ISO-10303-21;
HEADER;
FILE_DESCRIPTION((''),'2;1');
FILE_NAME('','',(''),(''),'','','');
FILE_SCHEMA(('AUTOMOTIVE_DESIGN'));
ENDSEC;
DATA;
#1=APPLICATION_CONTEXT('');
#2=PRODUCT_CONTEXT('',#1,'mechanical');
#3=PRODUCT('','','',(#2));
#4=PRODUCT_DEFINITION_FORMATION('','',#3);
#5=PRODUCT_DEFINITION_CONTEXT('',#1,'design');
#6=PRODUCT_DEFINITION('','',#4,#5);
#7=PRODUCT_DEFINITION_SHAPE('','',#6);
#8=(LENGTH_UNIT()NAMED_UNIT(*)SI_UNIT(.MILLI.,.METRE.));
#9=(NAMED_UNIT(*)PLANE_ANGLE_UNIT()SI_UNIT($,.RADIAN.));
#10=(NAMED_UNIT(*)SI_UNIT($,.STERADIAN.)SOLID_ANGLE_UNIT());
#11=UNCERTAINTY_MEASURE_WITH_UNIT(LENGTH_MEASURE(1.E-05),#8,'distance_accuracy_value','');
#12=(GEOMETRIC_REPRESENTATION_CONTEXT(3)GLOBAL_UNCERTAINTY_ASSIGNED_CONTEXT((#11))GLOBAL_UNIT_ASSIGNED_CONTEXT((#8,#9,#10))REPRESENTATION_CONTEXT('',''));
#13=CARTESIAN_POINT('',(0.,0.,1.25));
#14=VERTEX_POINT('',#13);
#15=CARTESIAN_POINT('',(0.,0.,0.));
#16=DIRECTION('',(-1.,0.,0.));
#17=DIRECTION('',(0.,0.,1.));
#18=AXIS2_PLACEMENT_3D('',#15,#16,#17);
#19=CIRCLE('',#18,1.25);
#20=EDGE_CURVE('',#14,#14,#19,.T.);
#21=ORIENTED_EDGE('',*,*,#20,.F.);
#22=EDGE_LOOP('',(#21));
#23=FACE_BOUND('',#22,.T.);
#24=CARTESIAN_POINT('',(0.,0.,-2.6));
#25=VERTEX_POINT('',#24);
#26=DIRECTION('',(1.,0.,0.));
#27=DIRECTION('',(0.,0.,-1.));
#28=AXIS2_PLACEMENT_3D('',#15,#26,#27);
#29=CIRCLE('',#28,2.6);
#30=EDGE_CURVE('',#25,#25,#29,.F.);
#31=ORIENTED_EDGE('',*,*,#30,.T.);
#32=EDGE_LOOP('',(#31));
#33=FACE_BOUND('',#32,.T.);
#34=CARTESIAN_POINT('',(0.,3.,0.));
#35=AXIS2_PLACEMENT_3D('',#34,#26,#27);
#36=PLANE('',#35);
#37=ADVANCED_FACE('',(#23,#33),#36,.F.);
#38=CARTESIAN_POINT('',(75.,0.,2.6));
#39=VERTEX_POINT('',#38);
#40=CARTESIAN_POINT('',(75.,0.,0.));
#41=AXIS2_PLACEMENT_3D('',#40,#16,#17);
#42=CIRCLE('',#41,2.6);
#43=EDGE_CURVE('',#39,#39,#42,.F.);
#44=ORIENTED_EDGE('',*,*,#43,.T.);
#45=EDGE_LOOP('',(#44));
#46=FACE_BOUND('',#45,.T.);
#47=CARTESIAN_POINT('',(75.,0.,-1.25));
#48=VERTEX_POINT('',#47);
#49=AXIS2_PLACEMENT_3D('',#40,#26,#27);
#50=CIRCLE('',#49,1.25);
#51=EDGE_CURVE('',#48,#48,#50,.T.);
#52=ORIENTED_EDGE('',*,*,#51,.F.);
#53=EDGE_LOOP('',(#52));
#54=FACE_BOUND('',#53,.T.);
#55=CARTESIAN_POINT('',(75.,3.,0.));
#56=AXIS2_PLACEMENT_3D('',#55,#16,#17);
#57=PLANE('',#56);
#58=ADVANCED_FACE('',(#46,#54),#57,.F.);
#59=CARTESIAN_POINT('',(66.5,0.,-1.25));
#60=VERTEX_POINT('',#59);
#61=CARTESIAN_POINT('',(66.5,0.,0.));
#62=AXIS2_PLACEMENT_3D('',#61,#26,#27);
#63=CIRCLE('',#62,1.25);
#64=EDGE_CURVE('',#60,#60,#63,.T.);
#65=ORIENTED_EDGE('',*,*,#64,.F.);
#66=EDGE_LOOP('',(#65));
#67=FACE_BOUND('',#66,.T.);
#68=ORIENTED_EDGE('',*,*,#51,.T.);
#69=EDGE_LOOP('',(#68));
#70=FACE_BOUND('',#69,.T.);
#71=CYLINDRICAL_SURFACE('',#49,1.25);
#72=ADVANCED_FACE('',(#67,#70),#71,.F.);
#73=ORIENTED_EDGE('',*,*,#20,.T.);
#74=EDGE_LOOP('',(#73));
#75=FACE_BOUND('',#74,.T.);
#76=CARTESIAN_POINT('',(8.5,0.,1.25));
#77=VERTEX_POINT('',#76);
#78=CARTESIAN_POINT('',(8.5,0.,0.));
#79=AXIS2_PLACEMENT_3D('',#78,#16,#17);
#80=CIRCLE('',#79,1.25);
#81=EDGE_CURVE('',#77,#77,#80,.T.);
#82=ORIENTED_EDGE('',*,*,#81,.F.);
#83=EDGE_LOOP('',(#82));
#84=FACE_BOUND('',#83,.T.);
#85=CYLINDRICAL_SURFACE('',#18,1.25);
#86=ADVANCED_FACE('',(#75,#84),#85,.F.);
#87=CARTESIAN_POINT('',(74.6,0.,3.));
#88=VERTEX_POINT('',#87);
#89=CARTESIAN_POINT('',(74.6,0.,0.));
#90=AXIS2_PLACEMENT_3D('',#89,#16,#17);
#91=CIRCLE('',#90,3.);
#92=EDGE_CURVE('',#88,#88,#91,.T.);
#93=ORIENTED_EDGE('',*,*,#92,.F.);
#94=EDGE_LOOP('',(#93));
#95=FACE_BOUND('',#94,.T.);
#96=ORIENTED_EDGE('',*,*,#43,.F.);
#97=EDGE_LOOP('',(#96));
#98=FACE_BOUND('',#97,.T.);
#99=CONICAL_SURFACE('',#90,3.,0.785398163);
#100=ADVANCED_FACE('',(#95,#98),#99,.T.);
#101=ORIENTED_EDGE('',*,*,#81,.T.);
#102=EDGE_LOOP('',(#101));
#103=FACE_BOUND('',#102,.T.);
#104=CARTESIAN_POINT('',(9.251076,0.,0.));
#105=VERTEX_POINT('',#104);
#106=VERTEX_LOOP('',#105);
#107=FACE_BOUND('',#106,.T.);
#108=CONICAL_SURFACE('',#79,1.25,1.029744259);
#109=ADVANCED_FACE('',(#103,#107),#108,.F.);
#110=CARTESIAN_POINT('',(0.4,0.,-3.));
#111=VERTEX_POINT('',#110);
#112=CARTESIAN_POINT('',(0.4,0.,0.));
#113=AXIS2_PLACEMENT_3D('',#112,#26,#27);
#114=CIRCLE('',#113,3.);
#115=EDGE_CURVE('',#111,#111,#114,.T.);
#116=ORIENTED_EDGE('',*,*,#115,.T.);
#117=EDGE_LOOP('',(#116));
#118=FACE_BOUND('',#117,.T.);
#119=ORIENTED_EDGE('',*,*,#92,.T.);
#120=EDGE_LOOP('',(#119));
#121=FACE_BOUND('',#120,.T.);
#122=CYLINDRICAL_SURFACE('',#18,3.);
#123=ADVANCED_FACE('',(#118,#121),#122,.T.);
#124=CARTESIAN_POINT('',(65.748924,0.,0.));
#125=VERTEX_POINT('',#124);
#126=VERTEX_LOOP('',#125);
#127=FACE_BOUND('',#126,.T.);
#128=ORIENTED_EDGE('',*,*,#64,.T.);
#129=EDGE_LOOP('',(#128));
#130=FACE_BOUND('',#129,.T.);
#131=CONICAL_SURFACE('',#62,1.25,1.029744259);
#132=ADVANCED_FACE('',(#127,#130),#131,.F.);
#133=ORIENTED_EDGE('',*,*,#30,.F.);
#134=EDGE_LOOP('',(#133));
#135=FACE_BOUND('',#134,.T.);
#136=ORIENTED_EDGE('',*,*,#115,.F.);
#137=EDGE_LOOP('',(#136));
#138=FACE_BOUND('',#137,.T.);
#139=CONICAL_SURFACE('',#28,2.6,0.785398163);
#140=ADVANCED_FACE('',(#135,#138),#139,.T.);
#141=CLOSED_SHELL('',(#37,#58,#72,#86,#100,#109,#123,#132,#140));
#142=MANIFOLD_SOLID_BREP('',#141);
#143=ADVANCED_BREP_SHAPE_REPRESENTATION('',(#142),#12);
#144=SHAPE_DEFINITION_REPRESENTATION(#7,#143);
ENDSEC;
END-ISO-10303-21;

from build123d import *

# Parameters (mm, degrees)
SKETCH1_W           = 75
SKETCH1_H           = 3
CHAMFER1_SIZE       = 0.4
TAPPED_HOLE10_D     = 2.5
TAPPED_HOLE10_DEPTH = 8.5
TAPPED_HOLE10_TIP   = 0.751075774
TAPPED_HOLE11_D     = 2.5
TAPPED_HOLE11_DEPTH = 8.5
TAPPED_HOLE11_TIP   = 0.751075774


with BuildPart() as part:
    # Sketch1 → Revolve1 (revolve)
    with BuildSketch(Plane.XY, mode=Mode.PRIVATE) as revolve1_sk:
        with Locations((37.5, 1.5)):
            Rectangle(SKETCH1_W, SKETCH1_H)
    revolve(revolve1_sk.sketch.rotate(Axis((0, 0, 0), (1, 0, 0)), 90), axis=Axis((0, 0, 0), (1, 0, 0)))

    # Chamfer1
    chamfer1_edges = [part.edges().sort_by_distance(p)[0] for p in [
        (0, 0, -3),
        (75, 0, -3),
    ]]
    chamfer(chamfer1_edges, length=CHAMFER1_SIZE)

    # Tapped Hole10
    with Locations(Plane.ZY):
        with Locations((0, 0)):
            Hole(TAPPED_HOLE10_D / 2, depth=TAPPED_HOLE10_DEPTH)
            with Locations((0, 0, -(TAPPED_HOLE10_DEPTH + TAPPED_HOLE10_TIP / 2))):  # 118° drill point
                Cone(0, TAPPED_HOLE10_D / 2, TAPPED_HOLE10_TIP, mode=Mode.SUBTRACT)

    # Tapped Hole11
    with Locations(Plane(origin=(75, 0, 0), x_dir=(0, 0, -1), z_dir=(1, 0, 0))):
        with Locations((0, 0)):
            Hole(TAPPED_HOLE11_D / 2, depth=TAPPED_HOLE11_DEPTH)
            with Locations((0, 0, -(TAPPED_HOLE11_DEPTH + TAPPED_HOLE11_TIP / 2))):  # 118° drill point
                Cone(0, TAPPED_HOLE11_D / 2, TAPPED_HOLE11_TIP, mode=Mode.SUBTRACT)


solid = part.part
